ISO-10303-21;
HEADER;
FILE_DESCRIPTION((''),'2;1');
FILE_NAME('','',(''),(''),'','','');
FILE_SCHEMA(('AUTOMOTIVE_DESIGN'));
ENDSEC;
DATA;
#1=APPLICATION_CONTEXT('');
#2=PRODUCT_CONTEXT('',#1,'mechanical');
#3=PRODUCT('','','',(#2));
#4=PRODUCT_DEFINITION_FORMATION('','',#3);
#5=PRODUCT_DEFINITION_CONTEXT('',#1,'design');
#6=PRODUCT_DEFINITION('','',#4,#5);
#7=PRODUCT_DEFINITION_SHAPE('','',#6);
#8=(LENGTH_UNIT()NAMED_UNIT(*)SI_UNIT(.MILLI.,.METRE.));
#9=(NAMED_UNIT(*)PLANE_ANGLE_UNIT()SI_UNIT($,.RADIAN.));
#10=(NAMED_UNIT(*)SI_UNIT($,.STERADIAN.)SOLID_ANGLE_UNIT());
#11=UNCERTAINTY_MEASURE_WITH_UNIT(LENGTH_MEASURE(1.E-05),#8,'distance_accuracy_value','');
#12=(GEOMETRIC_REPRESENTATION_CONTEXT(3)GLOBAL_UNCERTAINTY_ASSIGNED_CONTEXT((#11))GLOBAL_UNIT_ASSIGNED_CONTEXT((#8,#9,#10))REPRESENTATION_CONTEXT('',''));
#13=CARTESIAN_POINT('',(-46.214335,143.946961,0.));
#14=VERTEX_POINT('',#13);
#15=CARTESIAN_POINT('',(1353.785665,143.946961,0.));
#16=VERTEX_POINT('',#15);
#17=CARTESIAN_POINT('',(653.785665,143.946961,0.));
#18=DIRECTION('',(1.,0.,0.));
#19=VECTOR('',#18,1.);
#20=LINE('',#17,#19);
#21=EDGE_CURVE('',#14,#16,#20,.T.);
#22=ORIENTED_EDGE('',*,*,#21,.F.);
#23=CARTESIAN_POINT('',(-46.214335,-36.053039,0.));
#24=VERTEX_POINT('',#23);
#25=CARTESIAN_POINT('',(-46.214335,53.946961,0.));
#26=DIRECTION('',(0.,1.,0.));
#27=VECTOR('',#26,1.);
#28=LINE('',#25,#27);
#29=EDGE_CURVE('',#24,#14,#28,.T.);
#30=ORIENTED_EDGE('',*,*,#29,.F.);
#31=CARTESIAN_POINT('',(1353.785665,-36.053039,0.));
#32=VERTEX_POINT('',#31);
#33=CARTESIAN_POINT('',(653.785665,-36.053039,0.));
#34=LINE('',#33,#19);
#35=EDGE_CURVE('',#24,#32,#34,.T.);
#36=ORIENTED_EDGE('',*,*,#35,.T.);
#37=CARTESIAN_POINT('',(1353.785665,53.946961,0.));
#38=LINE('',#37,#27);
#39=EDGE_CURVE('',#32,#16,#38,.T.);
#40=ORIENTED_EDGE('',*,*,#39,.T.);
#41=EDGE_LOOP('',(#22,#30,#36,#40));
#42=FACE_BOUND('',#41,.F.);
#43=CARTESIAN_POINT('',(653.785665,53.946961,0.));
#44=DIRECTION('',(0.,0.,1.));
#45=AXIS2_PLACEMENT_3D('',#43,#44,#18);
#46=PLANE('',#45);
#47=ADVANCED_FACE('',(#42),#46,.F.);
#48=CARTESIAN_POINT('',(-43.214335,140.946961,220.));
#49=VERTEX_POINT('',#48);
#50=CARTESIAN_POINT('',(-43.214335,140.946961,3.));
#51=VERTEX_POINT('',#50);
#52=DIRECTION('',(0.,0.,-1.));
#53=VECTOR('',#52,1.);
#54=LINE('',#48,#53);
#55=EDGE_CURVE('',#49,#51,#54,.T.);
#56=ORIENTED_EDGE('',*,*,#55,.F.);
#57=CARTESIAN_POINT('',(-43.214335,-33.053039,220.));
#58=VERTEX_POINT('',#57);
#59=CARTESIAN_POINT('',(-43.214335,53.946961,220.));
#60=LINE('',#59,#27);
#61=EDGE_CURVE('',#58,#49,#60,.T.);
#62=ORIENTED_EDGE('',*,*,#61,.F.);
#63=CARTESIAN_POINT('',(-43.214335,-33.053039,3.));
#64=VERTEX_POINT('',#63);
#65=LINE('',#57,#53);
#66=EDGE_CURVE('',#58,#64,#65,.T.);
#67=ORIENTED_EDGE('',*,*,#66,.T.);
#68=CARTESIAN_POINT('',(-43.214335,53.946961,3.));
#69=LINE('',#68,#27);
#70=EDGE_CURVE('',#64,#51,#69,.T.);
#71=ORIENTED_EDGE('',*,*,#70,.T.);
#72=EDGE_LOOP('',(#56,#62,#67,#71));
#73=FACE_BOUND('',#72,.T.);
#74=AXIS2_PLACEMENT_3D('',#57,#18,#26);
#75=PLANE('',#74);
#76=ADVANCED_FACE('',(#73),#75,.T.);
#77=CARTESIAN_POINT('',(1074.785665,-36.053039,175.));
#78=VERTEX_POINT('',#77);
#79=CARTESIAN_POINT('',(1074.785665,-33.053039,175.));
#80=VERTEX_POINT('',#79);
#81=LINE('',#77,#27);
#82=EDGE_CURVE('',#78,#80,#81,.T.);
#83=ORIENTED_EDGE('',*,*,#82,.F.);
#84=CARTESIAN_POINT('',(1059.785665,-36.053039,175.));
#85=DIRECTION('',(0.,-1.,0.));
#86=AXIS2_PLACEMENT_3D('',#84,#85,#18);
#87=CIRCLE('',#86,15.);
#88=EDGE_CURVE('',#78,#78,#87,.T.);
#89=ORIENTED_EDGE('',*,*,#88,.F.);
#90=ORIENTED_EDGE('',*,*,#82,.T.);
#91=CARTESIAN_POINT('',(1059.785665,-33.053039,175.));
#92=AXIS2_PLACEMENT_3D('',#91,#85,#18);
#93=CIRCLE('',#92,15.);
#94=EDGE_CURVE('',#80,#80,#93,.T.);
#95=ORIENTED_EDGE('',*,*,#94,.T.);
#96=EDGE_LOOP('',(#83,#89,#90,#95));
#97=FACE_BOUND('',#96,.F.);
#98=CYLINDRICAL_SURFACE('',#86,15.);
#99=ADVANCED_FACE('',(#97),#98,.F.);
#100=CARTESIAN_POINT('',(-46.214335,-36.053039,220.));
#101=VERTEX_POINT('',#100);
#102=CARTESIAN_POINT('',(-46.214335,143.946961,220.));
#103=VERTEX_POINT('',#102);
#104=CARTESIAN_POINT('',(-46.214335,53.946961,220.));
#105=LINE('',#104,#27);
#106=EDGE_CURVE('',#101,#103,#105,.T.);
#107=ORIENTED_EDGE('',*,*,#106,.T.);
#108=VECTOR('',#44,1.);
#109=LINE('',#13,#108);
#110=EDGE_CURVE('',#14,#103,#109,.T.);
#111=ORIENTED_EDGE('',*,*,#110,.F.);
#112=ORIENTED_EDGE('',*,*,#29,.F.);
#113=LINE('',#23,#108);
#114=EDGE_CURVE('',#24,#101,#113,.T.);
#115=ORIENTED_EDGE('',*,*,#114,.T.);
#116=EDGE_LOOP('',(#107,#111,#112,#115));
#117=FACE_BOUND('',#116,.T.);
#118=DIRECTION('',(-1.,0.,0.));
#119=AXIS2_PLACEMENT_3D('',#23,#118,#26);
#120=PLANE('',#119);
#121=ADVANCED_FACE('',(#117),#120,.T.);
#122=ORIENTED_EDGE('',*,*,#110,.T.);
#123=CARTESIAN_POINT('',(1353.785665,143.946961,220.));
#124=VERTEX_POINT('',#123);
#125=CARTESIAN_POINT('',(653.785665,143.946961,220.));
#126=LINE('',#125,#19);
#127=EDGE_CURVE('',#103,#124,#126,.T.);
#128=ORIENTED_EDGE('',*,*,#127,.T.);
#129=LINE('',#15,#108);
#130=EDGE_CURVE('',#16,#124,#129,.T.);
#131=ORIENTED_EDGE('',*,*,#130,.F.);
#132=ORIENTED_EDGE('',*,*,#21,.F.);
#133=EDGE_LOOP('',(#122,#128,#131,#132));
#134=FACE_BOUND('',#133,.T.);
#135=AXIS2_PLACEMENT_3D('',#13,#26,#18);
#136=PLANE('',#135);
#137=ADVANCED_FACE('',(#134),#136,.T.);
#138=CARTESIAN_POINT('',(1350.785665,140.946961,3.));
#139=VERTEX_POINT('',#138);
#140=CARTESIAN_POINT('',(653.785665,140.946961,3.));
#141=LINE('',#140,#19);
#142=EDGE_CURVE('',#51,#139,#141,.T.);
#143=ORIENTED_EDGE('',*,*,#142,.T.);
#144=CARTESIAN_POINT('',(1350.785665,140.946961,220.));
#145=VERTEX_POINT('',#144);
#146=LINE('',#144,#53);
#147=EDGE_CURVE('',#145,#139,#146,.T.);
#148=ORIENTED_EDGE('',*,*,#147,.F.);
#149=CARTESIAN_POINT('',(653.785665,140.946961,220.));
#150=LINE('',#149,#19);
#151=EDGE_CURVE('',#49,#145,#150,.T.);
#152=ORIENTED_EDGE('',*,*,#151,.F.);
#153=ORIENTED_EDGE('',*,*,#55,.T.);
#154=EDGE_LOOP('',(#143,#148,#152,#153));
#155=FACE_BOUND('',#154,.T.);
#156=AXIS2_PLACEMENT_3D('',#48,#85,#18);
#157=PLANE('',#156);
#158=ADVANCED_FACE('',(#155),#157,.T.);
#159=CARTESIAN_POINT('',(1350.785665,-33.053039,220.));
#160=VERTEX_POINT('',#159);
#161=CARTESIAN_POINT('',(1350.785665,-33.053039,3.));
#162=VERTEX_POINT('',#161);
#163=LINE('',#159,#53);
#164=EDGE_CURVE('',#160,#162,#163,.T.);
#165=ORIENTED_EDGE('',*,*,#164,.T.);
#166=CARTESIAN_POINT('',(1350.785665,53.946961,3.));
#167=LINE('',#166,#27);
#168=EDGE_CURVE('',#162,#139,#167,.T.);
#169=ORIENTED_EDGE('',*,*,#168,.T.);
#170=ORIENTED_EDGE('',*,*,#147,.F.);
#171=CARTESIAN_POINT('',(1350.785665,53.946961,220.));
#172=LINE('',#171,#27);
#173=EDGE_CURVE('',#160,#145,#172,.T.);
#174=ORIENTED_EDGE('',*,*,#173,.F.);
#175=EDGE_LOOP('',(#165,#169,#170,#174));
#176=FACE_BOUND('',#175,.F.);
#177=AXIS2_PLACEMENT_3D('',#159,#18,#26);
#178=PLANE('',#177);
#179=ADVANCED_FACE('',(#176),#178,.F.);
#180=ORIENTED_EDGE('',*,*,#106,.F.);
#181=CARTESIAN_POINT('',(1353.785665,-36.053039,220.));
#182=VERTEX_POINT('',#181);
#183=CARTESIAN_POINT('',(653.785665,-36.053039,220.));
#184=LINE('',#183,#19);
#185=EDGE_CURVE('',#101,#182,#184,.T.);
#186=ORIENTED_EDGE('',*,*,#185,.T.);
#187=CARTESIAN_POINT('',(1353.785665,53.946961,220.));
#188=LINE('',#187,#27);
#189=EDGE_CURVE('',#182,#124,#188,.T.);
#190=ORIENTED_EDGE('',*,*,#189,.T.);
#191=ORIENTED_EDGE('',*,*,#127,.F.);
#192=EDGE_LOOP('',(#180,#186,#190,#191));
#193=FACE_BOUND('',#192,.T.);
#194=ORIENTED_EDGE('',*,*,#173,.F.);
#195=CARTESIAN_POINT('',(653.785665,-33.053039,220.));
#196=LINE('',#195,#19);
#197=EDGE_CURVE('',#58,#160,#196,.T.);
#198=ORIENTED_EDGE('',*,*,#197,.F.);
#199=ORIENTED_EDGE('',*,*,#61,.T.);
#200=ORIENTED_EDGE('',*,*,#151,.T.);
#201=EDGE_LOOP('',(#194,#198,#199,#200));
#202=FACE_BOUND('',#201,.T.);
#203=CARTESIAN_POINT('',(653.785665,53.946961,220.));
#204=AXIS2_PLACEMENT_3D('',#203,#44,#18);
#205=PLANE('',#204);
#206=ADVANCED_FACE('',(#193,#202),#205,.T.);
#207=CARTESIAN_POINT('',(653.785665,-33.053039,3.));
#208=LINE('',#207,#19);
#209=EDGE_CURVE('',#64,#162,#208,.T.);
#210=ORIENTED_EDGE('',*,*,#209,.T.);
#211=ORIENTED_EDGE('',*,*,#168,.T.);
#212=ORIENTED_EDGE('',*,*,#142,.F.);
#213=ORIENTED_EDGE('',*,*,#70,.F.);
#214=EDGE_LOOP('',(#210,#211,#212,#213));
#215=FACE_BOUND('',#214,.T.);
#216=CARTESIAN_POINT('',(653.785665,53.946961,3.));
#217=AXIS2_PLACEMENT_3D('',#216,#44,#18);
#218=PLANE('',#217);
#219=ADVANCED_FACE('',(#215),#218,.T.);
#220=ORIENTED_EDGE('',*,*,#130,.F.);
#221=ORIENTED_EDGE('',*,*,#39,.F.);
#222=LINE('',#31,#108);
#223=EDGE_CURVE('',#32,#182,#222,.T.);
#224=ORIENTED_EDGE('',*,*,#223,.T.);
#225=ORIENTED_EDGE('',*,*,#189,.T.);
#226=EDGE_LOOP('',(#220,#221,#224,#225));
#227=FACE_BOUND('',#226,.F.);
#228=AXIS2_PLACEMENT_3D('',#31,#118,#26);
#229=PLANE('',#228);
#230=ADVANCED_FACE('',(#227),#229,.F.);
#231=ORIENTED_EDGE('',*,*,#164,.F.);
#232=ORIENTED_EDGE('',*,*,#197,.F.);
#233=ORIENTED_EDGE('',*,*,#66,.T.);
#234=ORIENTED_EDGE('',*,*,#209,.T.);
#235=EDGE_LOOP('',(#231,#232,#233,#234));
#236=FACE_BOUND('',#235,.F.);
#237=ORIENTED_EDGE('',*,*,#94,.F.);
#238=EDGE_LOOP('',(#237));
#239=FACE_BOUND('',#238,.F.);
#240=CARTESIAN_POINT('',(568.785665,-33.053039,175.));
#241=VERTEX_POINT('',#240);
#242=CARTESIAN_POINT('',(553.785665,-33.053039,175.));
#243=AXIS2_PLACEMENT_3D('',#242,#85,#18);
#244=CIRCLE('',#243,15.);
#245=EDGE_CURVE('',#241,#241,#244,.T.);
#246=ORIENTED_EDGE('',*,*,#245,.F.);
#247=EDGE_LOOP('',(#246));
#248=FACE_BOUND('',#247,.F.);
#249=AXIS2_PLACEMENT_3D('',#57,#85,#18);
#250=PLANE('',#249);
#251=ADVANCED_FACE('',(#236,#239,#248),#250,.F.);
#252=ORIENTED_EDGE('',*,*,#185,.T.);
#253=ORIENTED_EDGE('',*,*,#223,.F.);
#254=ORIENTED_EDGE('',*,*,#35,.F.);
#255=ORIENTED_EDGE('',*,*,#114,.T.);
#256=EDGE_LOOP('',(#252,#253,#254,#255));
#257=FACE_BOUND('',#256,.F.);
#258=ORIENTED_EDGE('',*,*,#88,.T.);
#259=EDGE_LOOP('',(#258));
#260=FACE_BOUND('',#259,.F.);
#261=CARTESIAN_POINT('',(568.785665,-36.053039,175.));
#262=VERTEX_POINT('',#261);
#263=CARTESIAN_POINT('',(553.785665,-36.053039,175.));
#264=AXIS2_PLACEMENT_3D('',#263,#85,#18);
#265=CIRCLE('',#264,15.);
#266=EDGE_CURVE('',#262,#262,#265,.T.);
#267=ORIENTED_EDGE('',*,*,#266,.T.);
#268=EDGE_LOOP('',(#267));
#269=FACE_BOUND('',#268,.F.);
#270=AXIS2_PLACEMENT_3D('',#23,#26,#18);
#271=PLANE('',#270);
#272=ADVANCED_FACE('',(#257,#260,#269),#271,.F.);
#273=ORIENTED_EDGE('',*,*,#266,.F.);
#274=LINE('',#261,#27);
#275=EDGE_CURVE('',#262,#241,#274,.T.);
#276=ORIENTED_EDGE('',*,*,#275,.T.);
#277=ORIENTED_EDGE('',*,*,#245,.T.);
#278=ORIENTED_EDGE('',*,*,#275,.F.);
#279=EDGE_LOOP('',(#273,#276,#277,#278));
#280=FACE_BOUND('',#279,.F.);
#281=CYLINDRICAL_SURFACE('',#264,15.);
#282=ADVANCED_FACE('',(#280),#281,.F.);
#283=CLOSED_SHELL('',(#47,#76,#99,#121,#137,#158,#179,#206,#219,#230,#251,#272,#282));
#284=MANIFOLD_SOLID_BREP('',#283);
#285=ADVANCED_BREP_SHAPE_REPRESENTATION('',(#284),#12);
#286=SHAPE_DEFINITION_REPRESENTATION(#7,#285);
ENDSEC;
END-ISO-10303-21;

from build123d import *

# Parameters (mm, degrees)
F0_W     = 1400
F0_H     = 180
F1_DEPTH = 220
F2_W     = 1394
F2_H     = 174
F3_DEPTH = 217
F4_R     = 15
F5_DEPTH = 3


with BuildPart() as f1:
    # F0 (on Top) → F1 (new body)
    with BuildSketch(Plane.XY):
        with Locations((653.785665, 53.946961)):
            Rectangle(F0_W, F0_H)
    extrude(amount=F1_DEPTH)

    # F2 (on face) → F3 (cut)
    with BuildSketch(Plane.XY.offset(220)):
        with Locations((653.785665, 53.946961)):
            Rectangle(F2_W, F2_H)
    extrude(amount=-F3_DEPTH, mode=Mode.SUBTRACT)

    # F4 (on face) → F5 (cut, through all)
    with BuildSketch(Plane.XZ.offset(36.053039)):
        with Locations((553.785665, 175)):
            Circle(F4_R)
        with Locations((1059.785665, 175)):
            Circle(F4_R)
    extrude(amount=-F5_DEPTH, mode=Mode.SUBTRACT)


solid = f1.part
